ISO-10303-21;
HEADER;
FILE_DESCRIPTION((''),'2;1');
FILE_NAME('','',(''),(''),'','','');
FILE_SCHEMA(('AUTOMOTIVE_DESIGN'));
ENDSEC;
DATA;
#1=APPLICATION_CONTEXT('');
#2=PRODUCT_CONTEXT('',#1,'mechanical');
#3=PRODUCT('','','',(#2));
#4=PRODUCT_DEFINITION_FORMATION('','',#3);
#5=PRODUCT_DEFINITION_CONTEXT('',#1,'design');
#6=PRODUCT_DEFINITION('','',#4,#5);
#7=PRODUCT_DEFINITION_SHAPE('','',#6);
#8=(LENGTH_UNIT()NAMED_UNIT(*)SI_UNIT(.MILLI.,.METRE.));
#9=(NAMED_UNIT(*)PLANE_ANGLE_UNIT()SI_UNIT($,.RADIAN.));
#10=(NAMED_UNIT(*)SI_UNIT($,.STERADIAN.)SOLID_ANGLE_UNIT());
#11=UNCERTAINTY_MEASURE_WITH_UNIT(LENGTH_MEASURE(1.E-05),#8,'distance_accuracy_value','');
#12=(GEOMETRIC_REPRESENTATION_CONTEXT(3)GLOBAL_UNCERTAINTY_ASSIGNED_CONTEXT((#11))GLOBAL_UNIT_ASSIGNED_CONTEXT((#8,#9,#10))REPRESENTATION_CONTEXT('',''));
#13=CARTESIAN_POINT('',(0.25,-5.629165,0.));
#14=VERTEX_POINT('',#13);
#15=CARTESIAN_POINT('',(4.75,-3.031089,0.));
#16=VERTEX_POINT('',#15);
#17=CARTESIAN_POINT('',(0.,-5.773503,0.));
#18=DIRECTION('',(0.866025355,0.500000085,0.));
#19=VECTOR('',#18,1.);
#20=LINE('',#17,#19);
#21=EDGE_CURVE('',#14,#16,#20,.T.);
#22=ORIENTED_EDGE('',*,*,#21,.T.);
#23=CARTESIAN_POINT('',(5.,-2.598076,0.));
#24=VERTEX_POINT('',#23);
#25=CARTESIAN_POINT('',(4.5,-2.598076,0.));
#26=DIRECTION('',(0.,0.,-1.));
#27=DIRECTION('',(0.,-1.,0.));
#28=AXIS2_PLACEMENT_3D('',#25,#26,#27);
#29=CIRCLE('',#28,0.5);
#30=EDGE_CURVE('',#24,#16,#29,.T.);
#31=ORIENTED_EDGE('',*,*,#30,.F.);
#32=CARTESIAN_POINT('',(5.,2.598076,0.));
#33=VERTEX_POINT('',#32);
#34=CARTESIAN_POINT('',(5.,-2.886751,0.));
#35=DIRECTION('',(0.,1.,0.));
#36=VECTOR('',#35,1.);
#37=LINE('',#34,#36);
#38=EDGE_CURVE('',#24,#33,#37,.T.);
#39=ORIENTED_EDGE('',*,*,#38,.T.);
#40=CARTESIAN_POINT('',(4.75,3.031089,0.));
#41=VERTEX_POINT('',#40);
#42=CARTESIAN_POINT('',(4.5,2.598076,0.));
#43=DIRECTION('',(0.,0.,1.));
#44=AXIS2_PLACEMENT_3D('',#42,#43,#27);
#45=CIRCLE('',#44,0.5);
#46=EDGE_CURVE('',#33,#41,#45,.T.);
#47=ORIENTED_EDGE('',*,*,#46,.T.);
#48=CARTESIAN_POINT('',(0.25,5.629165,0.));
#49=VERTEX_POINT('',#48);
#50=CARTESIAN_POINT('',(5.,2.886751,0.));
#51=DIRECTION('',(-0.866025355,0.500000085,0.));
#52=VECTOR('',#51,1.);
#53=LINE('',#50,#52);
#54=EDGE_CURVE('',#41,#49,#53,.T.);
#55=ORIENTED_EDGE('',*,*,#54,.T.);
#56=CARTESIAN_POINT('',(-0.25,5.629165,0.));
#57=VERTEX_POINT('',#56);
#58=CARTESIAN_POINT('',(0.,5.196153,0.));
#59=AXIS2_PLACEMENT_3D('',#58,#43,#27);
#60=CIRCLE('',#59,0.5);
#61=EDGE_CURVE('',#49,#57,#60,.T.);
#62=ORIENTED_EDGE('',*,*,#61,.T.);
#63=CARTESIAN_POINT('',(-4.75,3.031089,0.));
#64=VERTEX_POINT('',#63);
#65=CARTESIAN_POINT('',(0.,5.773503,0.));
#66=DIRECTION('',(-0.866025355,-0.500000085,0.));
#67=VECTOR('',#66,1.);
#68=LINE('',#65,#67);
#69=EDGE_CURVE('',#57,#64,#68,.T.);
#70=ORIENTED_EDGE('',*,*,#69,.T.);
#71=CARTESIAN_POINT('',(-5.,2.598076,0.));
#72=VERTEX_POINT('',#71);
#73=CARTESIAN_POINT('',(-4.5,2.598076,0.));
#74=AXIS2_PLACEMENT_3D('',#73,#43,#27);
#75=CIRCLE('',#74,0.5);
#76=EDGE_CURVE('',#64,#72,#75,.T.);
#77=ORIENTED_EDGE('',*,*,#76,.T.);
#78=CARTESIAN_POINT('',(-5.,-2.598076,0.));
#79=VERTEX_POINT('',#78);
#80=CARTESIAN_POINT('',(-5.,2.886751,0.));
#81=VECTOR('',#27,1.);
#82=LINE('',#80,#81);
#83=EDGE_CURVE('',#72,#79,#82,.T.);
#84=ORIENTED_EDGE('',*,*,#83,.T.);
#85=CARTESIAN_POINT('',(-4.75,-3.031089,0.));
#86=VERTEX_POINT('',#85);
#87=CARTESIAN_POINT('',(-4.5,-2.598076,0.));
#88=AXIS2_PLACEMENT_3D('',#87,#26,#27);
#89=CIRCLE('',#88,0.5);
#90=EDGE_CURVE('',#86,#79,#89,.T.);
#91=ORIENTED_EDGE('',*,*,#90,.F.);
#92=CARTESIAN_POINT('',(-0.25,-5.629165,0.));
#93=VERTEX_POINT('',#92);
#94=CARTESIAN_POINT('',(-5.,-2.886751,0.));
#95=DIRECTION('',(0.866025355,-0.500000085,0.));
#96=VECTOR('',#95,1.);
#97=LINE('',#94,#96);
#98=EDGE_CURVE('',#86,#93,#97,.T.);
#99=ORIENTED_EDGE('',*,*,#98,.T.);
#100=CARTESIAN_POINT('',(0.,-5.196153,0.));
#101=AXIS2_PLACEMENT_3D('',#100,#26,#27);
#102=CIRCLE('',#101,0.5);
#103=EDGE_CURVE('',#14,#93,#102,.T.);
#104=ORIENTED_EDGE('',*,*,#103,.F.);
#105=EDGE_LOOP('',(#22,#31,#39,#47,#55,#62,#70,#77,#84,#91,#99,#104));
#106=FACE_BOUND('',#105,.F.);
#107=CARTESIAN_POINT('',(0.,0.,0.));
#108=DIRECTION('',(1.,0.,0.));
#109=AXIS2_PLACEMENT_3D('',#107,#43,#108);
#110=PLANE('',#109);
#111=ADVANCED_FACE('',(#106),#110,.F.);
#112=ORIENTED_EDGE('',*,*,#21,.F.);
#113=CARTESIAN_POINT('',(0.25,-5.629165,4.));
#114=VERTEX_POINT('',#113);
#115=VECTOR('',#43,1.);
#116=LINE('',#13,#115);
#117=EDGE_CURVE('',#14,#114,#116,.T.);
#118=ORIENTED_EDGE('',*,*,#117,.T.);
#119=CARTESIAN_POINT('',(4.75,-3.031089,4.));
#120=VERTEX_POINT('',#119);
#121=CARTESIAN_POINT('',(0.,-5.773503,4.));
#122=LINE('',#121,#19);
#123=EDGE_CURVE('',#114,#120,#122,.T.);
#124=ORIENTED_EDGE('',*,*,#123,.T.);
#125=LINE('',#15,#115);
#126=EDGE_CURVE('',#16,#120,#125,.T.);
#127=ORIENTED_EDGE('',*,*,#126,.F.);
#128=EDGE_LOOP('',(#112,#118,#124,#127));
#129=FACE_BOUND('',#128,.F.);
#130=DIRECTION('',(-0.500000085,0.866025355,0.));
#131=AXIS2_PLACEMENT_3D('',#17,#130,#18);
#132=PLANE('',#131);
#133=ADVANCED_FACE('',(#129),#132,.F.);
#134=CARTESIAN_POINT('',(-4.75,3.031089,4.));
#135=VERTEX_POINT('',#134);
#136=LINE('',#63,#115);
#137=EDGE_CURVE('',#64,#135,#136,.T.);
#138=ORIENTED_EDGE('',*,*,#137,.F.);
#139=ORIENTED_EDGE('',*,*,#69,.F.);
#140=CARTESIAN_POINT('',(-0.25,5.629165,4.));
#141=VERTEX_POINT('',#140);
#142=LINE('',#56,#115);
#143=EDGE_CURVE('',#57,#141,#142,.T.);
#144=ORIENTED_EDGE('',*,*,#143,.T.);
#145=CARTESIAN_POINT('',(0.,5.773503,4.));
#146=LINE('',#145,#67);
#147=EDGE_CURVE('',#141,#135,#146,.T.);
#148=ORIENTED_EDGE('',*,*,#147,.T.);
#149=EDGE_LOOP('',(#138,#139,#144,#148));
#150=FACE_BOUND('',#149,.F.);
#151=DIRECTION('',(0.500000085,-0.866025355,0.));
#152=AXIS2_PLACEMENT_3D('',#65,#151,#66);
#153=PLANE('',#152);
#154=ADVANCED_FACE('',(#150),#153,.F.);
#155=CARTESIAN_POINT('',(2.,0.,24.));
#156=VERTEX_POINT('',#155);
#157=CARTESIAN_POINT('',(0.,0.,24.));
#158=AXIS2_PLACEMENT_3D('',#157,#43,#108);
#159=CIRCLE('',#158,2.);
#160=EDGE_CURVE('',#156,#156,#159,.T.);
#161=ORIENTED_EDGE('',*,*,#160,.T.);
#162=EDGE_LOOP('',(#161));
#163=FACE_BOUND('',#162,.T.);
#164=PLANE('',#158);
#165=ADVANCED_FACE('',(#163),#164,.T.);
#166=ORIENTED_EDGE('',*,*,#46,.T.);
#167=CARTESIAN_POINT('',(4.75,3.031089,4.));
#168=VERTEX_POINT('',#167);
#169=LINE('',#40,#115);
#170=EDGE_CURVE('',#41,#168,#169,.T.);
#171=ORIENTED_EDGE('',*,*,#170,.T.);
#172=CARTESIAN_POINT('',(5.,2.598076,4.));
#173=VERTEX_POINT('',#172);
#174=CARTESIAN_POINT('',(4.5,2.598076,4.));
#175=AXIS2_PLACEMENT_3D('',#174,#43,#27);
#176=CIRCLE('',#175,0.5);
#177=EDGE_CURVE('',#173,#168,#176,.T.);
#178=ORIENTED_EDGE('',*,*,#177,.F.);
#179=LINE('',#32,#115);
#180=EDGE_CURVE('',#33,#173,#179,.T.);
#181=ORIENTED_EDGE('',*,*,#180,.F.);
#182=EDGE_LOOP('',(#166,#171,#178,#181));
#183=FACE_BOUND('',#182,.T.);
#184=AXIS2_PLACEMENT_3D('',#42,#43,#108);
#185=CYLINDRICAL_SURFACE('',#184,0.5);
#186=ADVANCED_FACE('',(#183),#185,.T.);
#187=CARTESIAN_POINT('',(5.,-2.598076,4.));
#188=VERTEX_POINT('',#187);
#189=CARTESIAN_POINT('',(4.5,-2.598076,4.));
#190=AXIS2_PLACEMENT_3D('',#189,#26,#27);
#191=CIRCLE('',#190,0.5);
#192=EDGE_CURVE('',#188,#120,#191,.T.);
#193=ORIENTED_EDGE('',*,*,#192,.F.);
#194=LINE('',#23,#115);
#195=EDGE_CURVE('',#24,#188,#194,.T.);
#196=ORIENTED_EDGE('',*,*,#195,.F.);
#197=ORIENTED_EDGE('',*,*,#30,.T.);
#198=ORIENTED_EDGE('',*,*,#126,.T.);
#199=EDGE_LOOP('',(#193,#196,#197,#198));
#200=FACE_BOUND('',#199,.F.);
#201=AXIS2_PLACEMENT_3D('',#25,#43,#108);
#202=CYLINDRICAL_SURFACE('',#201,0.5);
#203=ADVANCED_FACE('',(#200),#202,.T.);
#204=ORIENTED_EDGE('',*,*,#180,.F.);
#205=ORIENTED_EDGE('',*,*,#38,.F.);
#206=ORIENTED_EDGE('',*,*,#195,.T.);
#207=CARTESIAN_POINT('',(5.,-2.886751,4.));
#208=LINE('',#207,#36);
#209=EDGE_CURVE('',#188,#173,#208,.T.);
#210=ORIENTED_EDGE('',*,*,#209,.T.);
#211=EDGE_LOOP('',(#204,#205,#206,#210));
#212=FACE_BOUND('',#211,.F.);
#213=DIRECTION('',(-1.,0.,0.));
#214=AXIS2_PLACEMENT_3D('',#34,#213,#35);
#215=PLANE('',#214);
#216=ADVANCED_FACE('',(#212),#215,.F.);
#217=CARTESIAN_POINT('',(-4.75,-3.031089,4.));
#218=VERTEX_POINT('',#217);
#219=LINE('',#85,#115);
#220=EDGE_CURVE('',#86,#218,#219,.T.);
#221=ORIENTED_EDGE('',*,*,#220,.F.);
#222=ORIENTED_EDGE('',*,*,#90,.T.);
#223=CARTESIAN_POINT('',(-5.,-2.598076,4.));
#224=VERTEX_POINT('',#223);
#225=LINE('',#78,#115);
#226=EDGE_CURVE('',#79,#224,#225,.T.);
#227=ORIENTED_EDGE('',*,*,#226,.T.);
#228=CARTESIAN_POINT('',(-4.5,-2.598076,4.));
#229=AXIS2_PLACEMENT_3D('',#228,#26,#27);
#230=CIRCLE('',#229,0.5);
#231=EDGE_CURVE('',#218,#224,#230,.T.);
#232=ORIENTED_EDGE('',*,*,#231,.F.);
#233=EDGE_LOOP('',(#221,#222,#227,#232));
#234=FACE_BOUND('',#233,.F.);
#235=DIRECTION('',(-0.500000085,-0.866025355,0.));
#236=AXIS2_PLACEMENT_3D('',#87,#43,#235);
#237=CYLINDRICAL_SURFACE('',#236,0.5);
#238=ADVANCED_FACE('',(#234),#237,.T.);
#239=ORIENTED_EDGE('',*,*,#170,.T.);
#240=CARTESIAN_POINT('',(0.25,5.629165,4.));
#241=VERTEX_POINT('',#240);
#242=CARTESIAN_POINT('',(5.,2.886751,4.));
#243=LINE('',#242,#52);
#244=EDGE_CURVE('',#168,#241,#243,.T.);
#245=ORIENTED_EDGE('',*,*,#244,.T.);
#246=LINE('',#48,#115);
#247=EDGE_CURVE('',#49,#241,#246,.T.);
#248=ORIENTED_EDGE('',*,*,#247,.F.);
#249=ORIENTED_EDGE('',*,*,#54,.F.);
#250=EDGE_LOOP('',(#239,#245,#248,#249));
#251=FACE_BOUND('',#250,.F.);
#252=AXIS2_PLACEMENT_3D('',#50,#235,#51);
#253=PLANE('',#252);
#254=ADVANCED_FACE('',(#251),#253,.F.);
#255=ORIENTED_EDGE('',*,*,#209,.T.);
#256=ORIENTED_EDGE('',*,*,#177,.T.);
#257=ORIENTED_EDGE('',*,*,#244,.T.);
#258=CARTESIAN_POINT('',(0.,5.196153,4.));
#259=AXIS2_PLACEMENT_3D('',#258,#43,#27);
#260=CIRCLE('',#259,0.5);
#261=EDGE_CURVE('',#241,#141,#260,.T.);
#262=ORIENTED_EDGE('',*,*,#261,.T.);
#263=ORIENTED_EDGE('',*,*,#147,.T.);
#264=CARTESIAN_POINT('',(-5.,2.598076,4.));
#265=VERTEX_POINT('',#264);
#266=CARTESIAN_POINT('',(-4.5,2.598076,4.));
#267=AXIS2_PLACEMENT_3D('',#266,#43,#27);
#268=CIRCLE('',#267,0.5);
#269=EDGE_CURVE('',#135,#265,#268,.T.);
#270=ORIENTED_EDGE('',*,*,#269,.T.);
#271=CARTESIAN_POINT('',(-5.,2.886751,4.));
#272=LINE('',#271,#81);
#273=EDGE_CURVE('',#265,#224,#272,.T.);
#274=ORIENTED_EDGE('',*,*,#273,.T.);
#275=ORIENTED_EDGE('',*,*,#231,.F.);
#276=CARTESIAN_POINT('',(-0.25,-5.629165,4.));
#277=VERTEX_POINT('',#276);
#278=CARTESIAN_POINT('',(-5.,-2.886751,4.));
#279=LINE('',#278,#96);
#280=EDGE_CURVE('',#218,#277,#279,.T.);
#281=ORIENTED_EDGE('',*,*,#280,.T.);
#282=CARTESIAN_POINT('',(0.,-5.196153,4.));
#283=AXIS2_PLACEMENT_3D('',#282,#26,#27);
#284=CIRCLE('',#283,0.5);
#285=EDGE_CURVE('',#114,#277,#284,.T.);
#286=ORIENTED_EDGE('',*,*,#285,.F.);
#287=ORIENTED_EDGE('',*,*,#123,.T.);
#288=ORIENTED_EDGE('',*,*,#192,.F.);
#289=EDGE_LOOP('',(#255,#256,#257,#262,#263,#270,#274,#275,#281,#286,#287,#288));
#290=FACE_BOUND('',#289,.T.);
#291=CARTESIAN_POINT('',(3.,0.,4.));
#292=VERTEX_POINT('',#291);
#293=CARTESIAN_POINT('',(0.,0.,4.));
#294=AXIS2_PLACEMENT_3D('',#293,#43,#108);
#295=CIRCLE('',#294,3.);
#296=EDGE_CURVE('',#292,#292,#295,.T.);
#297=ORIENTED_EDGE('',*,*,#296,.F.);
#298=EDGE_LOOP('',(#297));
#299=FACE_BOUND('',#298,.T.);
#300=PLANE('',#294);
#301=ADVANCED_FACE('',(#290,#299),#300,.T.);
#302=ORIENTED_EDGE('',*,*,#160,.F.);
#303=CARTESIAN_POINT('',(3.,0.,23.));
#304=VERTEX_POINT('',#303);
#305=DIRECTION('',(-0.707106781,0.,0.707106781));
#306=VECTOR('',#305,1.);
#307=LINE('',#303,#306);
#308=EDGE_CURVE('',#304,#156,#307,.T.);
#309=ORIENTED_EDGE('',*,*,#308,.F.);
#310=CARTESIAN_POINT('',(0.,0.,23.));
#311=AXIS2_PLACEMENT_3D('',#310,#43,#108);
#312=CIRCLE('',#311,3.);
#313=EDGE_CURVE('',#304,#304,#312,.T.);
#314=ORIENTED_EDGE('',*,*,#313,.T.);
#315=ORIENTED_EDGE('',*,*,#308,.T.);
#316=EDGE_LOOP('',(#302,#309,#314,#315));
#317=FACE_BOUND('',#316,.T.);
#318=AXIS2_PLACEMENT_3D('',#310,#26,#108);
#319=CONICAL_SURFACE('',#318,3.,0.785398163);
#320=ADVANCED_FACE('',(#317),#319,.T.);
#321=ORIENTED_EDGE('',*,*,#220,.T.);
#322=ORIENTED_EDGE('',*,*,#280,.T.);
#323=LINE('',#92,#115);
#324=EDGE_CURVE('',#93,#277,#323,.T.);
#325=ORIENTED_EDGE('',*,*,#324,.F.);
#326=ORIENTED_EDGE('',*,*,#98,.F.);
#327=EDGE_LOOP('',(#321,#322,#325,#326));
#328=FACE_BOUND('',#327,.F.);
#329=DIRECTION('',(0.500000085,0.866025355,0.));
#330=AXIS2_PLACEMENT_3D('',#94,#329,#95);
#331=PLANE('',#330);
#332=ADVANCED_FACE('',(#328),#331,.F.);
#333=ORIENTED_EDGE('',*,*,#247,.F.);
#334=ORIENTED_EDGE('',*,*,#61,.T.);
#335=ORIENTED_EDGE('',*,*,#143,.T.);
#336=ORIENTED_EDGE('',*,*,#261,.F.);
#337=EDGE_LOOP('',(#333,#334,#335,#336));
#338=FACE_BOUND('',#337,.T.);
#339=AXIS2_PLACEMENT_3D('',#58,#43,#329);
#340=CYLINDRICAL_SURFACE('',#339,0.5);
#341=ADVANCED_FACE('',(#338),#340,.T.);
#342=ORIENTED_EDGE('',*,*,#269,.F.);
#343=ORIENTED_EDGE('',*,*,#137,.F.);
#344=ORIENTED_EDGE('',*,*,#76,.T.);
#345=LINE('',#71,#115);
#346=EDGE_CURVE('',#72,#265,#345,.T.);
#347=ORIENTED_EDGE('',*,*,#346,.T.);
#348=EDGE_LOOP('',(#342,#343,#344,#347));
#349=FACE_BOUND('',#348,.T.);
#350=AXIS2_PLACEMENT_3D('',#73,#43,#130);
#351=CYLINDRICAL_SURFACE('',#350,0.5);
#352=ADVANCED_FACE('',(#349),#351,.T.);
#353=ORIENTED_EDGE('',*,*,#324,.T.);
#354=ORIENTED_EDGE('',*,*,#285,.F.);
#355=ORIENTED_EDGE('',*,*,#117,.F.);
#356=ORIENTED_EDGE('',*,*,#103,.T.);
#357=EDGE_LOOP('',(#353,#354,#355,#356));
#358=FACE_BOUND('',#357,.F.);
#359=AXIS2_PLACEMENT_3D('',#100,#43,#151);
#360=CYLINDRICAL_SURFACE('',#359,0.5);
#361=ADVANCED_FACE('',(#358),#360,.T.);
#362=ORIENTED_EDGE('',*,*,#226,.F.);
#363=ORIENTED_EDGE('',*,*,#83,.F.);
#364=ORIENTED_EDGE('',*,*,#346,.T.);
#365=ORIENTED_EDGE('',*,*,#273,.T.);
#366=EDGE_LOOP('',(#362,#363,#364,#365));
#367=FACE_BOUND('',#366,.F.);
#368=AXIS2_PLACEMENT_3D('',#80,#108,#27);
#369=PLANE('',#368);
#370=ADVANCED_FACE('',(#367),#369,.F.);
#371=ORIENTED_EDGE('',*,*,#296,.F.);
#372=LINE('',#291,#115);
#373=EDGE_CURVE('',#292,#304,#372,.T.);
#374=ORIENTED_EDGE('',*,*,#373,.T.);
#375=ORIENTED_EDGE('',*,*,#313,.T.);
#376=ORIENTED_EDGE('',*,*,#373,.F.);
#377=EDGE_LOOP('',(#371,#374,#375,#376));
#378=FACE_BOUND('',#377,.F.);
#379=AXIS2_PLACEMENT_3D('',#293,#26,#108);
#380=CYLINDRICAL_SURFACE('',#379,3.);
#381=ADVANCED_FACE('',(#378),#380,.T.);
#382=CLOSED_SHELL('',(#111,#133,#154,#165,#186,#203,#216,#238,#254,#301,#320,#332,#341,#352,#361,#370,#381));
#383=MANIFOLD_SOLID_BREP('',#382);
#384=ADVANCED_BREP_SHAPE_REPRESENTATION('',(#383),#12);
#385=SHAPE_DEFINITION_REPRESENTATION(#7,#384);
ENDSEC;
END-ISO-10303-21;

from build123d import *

# Parameters (mm, degrees)
F1_DEPTH = 4
F2_R     = 3
F3_DEPTH = 20
F4_SIZE  = 1
F5_R     = 0.5


with BuildPart() as f1:
    # F0 (on Top) → F1 (new body)
    with BuildSketch(Plane.XY):
        Polygon((5, -2.886751), (5, 2.886751), (0, 5.773503), (-5, 2.886751), (-5, -2.886751), (0, -5.773503), align=None)
    extrude(amount=F1_DEPTH)

    # F2 (on face) → F3 (join)
    with BuildSketch(Plane.XY.offset(4)):
        Circle(F2_R)
    extrude(amount=F3_DEPTH)

    # F4
    f4_edges = [f1.edges().sort_by_distance(p)[0] for p in [
        (-3, 0, 24),
    ]]
    chamfer(f4_edges, length=F4_SIZE)

    # F5
    f5_edges = [f1.edges().sort_by_distance(p)[0] for p in [
        (0, -5.773503, 2),
        (5, -2.886751, 2),
        (5, 2.886751, 2),
        (-5, -2.886751, 2),
        (0, 5.773503, 2),
        (-5, 2.886751, 2),
    ]]
    fillet(f5_edges, radius=F5_R)


solid = f1.part
